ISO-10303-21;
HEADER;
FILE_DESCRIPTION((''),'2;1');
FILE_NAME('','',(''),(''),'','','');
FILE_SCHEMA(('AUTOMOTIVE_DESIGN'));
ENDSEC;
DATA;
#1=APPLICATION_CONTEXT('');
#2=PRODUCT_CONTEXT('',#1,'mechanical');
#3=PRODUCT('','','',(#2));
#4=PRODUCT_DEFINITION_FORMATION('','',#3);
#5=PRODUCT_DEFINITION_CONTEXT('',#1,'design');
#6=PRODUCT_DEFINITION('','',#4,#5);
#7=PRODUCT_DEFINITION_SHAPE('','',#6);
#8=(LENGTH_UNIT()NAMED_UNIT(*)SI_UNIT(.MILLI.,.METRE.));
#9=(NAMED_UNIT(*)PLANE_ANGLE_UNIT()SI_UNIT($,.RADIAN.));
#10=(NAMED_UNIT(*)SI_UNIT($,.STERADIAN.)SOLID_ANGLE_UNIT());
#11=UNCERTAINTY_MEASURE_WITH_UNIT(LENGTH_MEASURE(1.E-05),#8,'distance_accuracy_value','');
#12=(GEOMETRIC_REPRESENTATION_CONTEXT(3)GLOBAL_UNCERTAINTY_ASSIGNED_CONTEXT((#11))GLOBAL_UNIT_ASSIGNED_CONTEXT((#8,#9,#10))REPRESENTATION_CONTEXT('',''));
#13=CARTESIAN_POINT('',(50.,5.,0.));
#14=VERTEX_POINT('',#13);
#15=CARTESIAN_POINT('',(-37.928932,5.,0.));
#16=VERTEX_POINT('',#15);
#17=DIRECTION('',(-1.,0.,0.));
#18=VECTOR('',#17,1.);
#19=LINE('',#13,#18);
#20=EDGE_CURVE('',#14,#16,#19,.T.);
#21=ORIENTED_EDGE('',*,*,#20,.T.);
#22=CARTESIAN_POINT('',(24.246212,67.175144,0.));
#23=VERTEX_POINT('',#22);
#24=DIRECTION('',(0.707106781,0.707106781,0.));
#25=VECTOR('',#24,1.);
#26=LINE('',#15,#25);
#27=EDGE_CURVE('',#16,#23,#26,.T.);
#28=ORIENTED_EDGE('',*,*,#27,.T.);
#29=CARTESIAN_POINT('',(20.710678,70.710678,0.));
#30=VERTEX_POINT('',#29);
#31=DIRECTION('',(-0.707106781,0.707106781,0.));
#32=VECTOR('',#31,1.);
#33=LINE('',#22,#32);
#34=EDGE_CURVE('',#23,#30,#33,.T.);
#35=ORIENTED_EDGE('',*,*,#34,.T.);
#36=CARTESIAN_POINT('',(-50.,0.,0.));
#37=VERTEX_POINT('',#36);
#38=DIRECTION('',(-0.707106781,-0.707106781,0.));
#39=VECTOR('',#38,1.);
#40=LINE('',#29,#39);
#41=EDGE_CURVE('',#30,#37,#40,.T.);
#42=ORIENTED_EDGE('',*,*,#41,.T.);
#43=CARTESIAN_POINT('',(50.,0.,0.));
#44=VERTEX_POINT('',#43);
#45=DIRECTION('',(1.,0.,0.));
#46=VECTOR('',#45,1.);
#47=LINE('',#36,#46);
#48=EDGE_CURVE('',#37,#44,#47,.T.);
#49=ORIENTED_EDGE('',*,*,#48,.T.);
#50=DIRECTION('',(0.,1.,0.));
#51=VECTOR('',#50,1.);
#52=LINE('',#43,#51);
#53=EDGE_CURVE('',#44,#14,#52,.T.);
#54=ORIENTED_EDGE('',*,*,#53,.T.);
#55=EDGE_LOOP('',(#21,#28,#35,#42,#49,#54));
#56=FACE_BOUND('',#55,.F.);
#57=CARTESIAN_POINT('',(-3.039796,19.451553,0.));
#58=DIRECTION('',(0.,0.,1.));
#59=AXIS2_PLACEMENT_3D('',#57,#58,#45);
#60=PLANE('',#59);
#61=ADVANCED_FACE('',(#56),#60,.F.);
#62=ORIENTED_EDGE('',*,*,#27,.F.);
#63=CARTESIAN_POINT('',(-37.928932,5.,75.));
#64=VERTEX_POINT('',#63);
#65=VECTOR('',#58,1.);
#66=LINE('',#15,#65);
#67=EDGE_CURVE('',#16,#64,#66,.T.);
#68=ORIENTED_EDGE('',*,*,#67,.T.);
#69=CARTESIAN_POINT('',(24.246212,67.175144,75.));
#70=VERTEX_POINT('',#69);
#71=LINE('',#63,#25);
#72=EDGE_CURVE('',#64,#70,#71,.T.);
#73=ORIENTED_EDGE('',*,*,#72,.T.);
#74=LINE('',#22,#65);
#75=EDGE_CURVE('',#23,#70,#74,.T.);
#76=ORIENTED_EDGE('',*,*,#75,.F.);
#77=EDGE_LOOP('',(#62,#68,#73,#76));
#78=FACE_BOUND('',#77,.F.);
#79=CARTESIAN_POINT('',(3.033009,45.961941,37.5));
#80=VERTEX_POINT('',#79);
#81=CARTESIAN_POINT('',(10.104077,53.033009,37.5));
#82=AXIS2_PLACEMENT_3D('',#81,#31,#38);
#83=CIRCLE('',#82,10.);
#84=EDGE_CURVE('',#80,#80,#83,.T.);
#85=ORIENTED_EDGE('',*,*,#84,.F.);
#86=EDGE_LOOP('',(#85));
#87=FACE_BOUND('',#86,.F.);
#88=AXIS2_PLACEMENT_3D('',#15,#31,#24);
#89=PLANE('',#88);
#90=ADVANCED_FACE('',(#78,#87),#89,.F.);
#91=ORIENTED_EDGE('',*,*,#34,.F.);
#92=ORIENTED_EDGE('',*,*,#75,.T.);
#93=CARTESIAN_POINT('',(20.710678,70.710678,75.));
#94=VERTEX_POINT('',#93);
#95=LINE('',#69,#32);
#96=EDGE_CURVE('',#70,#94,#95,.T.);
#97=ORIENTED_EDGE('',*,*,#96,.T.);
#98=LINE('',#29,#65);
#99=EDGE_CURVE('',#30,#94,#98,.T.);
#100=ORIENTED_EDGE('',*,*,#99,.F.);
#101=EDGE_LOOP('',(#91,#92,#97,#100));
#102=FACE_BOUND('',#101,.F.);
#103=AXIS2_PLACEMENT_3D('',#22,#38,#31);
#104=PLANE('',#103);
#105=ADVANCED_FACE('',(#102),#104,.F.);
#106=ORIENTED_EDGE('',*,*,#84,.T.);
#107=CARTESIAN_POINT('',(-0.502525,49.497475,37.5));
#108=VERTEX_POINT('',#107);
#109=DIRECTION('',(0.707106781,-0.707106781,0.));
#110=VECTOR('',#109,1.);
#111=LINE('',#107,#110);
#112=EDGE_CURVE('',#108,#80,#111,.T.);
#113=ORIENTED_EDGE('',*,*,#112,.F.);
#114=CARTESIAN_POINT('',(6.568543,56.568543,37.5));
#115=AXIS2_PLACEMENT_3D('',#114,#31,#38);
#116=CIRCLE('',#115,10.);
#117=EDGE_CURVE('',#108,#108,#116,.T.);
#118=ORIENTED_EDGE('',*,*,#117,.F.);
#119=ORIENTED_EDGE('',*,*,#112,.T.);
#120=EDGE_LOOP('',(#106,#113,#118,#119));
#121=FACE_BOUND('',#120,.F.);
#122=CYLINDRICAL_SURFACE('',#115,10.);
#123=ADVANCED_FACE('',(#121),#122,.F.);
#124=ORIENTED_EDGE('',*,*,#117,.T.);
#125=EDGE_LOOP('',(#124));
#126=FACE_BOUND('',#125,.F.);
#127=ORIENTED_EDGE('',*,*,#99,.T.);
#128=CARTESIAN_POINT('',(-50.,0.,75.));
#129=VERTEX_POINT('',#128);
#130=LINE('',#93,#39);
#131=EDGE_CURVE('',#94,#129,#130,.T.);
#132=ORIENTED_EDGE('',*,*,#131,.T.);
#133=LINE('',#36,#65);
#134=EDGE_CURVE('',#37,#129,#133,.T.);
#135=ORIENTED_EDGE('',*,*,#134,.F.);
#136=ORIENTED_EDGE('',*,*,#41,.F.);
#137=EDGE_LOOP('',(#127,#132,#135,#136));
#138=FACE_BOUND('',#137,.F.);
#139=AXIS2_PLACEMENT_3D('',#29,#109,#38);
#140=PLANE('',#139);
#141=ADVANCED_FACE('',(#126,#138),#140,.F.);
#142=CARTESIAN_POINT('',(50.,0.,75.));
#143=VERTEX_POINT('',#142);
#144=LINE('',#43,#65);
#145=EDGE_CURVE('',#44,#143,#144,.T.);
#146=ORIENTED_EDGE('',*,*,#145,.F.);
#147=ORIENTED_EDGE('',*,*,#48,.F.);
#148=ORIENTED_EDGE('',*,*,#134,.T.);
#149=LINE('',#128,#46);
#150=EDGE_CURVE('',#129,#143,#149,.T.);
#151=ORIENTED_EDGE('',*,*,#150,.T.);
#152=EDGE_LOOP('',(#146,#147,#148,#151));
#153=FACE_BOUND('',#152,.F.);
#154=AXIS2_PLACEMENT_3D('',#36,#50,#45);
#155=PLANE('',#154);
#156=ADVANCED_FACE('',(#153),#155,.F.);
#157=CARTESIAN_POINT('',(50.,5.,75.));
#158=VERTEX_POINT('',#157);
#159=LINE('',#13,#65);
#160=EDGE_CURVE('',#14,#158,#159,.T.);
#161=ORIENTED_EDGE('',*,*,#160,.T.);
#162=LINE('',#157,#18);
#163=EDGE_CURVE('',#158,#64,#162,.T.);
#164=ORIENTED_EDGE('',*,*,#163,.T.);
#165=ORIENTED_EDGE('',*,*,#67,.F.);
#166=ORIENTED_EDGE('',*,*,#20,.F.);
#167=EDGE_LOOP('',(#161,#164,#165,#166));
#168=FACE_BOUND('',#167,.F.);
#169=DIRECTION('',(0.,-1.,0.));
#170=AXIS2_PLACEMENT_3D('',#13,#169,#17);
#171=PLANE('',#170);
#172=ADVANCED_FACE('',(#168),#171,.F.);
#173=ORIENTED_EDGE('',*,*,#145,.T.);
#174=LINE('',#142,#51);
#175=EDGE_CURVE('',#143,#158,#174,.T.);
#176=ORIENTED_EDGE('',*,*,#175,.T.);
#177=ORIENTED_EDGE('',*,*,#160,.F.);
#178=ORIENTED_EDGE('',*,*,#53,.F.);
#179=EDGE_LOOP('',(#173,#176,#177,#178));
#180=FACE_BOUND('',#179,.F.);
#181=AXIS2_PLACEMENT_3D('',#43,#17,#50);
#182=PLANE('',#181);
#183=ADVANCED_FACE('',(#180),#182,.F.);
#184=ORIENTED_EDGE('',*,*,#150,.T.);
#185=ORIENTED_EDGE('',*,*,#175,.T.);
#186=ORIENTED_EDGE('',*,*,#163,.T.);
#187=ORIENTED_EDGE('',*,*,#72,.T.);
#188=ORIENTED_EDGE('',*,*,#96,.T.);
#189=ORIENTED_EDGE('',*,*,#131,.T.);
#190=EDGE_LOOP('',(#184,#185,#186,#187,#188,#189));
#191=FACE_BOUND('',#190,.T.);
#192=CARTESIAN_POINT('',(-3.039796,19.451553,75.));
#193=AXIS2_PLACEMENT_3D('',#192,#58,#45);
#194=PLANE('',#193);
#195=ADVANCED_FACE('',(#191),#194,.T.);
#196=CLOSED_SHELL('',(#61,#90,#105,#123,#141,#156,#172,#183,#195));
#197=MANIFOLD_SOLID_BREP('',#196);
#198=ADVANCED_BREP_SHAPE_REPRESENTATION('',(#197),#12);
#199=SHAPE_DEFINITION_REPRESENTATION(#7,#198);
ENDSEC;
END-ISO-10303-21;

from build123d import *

# Parameters (mm, degrees)
F1_DEPTH = 75
F2_R     = 10
F3_DEPTH = 25


with BuildPart() as f1:
    # F0 (on Top) → F1 (new body)
    with BuildSketch(Plane.XY):
        Polygon((-50, 0), (50, 0), (50, 5), (-37.928932, 5), (24.246212, 67.175144), (20.710678, 70.710678), align=None)
    extrude(amount=F1_DEPTH)

    # F2 (on face) → F3 (cut)
    with BuildSketch(Plane(origin=(-25, 25, 0), x_dir=(-0.707107, -0.707107, 0), z_dir=(-0.707107, 0.707107, 0))):
        with Locations((-44.644661, 37.5)):
            Circle(F2_R)
    extrude(amount=-F3_DEPTH, mode=Mode.SUBTRACT)


solid = f1.part
